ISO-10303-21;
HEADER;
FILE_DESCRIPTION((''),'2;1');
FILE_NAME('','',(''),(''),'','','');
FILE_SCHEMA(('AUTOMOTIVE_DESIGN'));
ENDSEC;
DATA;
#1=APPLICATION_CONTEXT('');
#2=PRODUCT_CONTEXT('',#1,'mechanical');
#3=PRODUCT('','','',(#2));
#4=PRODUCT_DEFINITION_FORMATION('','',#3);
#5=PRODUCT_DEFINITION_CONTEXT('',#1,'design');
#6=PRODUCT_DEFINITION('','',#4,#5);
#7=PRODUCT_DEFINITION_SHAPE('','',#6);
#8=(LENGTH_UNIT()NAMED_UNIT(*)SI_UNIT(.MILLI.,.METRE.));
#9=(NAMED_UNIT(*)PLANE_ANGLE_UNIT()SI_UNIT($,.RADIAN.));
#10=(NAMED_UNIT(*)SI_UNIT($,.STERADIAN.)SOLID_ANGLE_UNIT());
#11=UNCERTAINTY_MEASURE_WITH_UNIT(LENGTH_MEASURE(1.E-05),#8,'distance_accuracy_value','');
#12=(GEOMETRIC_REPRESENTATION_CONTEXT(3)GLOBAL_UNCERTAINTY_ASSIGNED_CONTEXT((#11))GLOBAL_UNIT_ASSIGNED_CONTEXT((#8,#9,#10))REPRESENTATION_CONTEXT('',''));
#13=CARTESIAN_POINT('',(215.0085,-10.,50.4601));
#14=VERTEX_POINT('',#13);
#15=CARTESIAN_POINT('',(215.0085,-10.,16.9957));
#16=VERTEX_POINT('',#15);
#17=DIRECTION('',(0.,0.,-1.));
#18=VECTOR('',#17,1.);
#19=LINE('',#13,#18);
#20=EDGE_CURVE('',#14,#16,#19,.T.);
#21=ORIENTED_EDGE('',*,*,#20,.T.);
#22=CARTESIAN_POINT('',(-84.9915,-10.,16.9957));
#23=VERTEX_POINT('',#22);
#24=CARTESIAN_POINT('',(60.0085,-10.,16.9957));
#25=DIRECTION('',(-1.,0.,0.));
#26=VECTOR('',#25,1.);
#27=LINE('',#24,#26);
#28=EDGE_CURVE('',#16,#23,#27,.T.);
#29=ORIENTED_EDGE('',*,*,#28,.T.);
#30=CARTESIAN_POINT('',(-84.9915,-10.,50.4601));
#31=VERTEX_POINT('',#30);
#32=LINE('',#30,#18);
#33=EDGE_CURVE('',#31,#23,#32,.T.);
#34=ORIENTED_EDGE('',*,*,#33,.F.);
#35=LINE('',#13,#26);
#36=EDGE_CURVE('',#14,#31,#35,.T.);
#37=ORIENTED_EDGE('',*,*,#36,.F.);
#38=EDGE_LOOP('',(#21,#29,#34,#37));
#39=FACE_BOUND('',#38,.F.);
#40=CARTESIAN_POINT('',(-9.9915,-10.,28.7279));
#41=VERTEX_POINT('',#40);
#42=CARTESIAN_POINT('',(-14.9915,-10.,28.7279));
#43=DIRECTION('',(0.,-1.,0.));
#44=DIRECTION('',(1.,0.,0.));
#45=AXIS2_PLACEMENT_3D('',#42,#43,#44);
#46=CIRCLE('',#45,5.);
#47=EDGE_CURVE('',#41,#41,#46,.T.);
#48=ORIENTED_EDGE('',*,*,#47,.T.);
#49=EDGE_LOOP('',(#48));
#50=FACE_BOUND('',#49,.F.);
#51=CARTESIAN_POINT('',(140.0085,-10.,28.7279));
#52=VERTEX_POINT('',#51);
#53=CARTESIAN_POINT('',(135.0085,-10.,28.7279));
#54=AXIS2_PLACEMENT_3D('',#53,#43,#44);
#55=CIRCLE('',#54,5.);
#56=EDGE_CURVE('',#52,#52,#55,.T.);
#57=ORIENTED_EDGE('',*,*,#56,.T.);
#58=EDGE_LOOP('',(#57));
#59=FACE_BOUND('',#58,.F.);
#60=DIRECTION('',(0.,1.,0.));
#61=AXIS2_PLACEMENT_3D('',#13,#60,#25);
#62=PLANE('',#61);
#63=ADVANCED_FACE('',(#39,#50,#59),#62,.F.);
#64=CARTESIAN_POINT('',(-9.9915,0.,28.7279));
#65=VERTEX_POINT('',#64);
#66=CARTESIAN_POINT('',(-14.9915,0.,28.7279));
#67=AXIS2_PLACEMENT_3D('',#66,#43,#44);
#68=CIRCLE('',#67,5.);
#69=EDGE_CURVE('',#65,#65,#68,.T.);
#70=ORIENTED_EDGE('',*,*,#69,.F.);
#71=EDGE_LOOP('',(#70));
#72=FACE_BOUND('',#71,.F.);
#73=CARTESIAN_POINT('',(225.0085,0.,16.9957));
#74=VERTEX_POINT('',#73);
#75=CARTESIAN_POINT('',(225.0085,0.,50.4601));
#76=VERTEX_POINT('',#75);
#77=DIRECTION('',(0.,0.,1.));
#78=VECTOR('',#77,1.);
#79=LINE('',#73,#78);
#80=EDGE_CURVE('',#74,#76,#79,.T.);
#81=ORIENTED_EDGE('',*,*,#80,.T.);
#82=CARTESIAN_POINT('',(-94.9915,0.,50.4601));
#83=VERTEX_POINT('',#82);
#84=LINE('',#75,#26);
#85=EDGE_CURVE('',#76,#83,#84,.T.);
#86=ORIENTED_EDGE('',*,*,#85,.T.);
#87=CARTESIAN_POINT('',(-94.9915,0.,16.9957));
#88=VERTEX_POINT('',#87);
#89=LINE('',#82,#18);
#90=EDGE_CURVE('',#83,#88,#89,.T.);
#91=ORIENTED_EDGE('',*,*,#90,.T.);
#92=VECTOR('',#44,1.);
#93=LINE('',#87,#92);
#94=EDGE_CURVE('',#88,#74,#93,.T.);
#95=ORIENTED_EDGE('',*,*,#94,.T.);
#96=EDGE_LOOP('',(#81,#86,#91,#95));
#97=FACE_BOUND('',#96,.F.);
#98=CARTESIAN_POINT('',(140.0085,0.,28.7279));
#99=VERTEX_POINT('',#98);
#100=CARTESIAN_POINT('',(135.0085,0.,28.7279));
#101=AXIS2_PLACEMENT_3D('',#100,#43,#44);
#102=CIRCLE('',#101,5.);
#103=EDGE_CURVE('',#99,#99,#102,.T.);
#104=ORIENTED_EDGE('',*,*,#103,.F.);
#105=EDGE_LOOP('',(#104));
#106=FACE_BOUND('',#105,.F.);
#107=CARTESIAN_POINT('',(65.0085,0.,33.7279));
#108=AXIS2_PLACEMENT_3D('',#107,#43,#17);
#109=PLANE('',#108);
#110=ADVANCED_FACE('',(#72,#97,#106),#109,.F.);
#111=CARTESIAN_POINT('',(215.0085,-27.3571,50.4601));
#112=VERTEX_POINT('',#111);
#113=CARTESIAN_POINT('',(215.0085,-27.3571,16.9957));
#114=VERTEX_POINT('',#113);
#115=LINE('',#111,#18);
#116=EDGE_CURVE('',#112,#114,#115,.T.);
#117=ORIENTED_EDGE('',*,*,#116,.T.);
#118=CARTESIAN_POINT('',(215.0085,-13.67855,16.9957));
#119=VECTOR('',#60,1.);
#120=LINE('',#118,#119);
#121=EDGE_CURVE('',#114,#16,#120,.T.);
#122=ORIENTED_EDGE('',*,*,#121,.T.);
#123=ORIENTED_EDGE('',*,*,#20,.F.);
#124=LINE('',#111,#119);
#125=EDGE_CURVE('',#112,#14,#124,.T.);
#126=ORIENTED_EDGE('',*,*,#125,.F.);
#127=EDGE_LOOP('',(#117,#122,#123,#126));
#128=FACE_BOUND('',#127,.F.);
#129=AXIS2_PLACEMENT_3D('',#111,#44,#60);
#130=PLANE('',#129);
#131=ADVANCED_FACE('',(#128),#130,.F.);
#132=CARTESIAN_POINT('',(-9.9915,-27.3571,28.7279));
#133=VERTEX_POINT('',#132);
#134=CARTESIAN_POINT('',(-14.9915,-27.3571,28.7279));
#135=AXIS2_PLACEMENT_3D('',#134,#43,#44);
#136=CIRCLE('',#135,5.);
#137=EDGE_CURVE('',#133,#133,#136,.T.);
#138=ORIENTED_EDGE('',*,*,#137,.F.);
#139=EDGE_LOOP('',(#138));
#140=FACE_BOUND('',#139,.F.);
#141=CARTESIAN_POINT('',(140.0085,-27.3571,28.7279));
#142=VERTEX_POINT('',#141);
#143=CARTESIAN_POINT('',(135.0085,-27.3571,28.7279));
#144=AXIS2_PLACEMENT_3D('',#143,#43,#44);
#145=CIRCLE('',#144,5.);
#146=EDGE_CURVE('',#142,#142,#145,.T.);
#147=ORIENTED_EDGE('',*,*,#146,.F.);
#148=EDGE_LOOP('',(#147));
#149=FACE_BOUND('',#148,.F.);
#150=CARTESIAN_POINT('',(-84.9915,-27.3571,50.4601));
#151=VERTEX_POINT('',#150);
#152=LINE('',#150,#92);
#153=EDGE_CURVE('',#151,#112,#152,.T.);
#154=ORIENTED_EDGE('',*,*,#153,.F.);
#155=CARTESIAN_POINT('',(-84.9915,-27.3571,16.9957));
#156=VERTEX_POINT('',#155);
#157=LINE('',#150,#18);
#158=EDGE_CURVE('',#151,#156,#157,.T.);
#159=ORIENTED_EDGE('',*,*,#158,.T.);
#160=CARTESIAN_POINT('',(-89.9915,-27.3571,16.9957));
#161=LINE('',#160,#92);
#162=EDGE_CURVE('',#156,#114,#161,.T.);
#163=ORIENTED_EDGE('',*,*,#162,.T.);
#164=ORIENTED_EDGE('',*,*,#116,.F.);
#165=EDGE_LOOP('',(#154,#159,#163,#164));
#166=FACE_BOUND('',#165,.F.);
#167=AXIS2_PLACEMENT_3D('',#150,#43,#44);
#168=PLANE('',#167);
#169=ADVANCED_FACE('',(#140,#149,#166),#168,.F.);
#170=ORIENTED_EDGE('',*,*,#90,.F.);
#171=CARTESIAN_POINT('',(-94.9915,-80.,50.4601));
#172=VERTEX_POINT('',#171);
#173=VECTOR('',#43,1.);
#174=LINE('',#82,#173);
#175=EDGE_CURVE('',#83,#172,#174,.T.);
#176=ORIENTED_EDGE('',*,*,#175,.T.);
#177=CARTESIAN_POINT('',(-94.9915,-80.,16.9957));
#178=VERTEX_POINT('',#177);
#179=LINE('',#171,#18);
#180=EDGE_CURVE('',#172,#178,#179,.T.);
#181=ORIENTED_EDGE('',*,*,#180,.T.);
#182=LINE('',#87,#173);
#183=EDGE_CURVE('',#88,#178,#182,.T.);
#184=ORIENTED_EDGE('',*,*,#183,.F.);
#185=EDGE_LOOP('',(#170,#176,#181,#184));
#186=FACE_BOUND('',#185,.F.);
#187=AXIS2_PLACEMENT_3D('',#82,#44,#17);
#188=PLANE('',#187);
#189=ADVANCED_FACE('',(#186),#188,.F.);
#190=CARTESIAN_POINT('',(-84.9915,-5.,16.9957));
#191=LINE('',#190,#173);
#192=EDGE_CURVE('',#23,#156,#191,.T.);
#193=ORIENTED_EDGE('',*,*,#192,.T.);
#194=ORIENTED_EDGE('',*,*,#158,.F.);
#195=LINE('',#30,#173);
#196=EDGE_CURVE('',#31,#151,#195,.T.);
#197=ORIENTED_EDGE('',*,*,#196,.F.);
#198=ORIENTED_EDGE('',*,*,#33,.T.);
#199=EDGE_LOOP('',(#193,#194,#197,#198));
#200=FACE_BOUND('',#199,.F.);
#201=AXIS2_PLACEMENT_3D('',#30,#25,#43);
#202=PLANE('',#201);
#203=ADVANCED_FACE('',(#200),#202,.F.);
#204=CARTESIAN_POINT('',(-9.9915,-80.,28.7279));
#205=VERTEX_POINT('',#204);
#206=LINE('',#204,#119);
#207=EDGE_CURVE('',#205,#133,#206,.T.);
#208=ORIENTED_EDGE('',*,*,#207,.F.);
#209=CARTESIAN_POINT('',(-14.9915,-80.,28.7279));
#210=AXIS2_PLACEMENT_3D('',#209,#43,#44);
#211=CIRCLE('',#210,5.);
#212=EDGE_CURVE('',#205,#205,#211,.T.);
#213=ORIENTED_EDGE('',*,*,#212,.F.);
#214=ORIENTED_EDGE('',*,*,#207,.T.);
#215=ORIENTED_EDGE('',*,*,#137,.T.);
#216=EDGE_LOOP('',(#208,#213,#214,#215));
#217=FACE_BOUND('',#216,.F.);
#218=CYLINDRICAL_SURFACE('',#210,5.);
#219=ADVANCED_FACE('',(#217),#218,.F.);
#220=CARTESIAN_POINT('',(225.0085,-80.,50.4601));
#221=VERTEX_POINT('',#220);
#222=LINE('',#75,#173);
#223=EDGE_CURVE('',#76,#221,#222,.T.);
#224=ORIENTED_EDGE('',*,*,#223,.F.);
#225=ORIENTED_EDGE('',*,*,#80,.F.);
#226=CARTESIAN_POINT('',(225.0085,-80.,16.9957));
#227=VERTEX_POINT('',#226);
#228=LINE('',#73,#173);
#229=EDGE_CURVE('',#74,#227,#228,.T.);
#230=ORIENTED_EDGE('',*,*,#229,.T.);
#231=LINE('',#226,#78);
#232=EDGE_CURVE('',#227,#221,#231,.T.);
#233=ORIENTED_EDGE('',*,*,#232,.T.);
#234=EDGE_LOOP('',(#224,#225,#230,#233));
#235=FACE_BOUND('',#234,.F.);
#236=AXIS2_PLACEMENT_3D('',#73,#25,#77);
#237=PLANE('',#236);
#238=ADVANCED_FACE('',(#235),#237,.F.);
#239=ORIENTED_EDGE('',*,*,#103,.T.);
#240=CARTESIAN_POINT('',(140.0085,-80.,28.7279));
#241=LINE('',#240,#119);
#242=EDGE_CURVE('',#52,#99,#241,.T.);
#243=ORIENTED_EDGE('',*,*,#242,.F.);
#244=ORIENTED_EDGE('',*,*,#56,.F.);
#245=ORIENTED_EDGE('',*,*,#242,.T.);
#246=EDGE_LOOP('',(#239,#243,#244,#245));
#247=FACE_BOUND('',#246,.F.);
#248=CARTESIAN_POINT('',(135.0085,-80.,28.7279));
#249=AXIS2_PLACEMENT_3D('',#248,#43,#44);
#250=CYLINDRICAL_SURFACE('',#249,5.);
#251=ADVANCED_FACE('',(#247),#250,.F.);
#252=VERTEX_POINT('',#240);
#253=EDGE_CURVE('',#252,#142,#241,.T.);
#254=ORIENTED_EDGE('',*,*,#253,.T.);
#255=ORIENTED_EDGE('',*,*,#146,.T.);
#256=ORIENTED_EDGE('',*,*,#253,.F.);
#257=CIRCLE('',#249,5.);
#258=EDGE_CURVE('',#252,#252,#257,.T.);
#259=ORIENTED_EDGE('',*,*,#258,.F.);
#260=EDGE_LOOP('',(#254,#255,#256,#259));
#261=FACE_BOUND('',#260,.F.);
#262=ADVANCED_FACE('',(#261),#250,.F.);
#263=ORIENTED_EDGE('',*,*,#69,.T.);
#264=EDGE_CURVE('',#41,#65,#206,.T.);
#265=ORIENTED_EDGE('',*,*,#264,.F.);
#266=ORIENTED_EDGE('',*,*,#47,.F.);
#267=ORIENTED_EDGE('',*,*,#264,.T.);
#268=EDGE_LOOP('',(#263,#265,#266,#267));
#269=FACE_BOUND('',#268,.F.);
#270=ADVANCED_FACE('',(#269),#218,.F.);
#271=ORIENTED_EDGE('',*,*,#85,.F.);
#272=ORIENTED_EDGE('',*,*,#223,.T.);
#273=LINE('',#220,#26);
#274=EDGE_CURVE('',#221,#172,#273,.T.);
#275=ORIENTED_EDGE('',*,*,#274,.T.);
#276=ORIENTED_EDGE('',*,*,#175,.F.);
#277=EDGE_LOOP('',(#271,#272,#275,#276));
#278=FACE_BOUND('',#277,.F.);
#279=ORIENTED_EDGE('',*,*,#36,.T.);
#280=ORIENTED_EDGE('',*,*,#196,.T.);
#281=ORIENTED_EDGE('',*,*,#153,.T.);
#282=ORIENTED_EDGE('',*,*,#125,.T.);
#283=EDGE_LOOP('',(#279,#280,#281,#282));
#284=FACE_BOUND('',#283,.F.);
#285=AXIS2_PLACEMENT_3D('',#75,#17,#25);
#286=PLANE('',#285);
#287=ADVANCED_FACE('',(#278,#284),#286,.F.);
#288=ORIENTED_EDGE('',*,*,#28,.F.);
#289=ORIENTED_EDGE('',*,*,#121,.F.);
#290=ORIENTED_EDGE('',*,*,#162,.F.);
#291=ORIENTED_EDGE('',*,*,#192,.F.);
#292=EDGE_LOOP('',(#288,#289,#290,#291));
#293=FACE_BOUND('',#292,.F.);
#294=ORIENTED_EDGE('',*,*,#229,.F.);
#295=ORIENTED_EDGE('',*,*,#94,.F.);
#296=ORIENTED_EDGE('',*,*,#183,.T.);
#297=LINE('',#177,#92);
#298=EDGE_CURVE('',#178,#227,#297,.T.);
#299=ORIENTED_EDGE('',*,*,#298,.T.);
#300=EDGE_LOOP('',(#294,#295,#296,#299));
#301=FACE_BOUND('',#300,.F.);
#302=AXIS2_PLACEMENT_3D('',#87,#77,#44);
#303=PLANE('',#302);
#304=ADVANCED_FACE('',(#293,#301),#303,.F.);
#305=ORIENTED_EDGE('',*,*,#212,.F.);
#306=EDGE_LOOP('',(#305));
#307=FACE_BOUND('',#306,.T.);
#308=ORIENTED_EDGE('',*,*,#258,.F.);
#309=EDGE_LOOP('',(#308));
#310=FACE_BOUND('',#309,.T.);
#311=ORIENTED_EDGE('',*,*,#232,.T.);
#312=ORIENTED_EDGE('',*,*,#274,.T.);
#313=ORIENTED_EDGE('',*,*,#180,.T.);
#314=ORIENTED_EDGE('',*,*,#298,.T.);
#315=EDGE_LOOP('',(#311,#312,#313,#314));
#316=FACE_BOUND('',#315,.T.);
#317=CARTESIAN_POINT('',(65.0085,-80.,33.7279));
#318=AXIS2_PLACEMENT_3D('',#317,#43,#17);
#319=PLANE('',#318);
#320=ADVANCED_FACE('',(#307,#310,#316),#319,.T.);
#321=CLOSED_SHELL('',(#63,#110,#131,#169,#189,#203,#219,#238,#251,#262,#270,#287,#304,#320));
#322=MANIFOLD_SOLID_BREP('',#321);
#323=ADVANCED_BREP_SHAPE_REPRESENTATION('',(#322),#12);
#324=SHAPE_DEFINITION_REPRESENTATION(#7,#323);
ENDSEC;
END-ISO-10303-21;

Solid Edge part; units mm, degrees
sketch "Sketch1" plane through (0, 0, 0) normal (0, -1, 0) x (1, 0, 0)
  line L0 (-94.9915, 16.9957) -> (225.0085, 16.9957)
  line L1 (225.0085, 16.9957) -> (225.0085, 50.4601)
  line L2 (225.0085, 50.4601) -> (-94.9915, 50.4601)
  line L3 (-94.9915, 50.4601) -> (-94.9915, 16.9957)
  dimension "D1" = 320
  dimension "D2" = 33.4644
extrude "Protrusion1" add sketch "Sketch1" along normal blind 80
sketch "Sketch2" plane through (55.0085, -15, 50.4601) normal (0, 0, 1) x (1, 0, 0)
  line L0 (-140, -12.3571) -> (160, -12.3571)
  line L1 (160, -12.3571) -> (160, 5)
  line L2 (160, 5) -> (-140, 5)
  line L3 (-140, 5) -> (-140, -12.3571)
  dimension "D1" = 300
  dimension "D2" = 17.3571
  dimension "D3" = 10
extrude "Cutout1" cut sketch "Sketch2" against normal through all
sketch "Sketch3" plane through (65.0085, -80, 33.7279) normal (0, -1, 0) x (1, 0, 0)
  circle A0 centre (70, -5) radius 5
  circle A1 centre (-80, -5) radius 5
  dimension "D1" = 10
  dimension "D2" = 10
  dimension "D3" = 150
  dimension "D4" = 80
  dimension "D5" = 5
extrude "Cutout2" cut sketch "Sketch3" against normal through all
